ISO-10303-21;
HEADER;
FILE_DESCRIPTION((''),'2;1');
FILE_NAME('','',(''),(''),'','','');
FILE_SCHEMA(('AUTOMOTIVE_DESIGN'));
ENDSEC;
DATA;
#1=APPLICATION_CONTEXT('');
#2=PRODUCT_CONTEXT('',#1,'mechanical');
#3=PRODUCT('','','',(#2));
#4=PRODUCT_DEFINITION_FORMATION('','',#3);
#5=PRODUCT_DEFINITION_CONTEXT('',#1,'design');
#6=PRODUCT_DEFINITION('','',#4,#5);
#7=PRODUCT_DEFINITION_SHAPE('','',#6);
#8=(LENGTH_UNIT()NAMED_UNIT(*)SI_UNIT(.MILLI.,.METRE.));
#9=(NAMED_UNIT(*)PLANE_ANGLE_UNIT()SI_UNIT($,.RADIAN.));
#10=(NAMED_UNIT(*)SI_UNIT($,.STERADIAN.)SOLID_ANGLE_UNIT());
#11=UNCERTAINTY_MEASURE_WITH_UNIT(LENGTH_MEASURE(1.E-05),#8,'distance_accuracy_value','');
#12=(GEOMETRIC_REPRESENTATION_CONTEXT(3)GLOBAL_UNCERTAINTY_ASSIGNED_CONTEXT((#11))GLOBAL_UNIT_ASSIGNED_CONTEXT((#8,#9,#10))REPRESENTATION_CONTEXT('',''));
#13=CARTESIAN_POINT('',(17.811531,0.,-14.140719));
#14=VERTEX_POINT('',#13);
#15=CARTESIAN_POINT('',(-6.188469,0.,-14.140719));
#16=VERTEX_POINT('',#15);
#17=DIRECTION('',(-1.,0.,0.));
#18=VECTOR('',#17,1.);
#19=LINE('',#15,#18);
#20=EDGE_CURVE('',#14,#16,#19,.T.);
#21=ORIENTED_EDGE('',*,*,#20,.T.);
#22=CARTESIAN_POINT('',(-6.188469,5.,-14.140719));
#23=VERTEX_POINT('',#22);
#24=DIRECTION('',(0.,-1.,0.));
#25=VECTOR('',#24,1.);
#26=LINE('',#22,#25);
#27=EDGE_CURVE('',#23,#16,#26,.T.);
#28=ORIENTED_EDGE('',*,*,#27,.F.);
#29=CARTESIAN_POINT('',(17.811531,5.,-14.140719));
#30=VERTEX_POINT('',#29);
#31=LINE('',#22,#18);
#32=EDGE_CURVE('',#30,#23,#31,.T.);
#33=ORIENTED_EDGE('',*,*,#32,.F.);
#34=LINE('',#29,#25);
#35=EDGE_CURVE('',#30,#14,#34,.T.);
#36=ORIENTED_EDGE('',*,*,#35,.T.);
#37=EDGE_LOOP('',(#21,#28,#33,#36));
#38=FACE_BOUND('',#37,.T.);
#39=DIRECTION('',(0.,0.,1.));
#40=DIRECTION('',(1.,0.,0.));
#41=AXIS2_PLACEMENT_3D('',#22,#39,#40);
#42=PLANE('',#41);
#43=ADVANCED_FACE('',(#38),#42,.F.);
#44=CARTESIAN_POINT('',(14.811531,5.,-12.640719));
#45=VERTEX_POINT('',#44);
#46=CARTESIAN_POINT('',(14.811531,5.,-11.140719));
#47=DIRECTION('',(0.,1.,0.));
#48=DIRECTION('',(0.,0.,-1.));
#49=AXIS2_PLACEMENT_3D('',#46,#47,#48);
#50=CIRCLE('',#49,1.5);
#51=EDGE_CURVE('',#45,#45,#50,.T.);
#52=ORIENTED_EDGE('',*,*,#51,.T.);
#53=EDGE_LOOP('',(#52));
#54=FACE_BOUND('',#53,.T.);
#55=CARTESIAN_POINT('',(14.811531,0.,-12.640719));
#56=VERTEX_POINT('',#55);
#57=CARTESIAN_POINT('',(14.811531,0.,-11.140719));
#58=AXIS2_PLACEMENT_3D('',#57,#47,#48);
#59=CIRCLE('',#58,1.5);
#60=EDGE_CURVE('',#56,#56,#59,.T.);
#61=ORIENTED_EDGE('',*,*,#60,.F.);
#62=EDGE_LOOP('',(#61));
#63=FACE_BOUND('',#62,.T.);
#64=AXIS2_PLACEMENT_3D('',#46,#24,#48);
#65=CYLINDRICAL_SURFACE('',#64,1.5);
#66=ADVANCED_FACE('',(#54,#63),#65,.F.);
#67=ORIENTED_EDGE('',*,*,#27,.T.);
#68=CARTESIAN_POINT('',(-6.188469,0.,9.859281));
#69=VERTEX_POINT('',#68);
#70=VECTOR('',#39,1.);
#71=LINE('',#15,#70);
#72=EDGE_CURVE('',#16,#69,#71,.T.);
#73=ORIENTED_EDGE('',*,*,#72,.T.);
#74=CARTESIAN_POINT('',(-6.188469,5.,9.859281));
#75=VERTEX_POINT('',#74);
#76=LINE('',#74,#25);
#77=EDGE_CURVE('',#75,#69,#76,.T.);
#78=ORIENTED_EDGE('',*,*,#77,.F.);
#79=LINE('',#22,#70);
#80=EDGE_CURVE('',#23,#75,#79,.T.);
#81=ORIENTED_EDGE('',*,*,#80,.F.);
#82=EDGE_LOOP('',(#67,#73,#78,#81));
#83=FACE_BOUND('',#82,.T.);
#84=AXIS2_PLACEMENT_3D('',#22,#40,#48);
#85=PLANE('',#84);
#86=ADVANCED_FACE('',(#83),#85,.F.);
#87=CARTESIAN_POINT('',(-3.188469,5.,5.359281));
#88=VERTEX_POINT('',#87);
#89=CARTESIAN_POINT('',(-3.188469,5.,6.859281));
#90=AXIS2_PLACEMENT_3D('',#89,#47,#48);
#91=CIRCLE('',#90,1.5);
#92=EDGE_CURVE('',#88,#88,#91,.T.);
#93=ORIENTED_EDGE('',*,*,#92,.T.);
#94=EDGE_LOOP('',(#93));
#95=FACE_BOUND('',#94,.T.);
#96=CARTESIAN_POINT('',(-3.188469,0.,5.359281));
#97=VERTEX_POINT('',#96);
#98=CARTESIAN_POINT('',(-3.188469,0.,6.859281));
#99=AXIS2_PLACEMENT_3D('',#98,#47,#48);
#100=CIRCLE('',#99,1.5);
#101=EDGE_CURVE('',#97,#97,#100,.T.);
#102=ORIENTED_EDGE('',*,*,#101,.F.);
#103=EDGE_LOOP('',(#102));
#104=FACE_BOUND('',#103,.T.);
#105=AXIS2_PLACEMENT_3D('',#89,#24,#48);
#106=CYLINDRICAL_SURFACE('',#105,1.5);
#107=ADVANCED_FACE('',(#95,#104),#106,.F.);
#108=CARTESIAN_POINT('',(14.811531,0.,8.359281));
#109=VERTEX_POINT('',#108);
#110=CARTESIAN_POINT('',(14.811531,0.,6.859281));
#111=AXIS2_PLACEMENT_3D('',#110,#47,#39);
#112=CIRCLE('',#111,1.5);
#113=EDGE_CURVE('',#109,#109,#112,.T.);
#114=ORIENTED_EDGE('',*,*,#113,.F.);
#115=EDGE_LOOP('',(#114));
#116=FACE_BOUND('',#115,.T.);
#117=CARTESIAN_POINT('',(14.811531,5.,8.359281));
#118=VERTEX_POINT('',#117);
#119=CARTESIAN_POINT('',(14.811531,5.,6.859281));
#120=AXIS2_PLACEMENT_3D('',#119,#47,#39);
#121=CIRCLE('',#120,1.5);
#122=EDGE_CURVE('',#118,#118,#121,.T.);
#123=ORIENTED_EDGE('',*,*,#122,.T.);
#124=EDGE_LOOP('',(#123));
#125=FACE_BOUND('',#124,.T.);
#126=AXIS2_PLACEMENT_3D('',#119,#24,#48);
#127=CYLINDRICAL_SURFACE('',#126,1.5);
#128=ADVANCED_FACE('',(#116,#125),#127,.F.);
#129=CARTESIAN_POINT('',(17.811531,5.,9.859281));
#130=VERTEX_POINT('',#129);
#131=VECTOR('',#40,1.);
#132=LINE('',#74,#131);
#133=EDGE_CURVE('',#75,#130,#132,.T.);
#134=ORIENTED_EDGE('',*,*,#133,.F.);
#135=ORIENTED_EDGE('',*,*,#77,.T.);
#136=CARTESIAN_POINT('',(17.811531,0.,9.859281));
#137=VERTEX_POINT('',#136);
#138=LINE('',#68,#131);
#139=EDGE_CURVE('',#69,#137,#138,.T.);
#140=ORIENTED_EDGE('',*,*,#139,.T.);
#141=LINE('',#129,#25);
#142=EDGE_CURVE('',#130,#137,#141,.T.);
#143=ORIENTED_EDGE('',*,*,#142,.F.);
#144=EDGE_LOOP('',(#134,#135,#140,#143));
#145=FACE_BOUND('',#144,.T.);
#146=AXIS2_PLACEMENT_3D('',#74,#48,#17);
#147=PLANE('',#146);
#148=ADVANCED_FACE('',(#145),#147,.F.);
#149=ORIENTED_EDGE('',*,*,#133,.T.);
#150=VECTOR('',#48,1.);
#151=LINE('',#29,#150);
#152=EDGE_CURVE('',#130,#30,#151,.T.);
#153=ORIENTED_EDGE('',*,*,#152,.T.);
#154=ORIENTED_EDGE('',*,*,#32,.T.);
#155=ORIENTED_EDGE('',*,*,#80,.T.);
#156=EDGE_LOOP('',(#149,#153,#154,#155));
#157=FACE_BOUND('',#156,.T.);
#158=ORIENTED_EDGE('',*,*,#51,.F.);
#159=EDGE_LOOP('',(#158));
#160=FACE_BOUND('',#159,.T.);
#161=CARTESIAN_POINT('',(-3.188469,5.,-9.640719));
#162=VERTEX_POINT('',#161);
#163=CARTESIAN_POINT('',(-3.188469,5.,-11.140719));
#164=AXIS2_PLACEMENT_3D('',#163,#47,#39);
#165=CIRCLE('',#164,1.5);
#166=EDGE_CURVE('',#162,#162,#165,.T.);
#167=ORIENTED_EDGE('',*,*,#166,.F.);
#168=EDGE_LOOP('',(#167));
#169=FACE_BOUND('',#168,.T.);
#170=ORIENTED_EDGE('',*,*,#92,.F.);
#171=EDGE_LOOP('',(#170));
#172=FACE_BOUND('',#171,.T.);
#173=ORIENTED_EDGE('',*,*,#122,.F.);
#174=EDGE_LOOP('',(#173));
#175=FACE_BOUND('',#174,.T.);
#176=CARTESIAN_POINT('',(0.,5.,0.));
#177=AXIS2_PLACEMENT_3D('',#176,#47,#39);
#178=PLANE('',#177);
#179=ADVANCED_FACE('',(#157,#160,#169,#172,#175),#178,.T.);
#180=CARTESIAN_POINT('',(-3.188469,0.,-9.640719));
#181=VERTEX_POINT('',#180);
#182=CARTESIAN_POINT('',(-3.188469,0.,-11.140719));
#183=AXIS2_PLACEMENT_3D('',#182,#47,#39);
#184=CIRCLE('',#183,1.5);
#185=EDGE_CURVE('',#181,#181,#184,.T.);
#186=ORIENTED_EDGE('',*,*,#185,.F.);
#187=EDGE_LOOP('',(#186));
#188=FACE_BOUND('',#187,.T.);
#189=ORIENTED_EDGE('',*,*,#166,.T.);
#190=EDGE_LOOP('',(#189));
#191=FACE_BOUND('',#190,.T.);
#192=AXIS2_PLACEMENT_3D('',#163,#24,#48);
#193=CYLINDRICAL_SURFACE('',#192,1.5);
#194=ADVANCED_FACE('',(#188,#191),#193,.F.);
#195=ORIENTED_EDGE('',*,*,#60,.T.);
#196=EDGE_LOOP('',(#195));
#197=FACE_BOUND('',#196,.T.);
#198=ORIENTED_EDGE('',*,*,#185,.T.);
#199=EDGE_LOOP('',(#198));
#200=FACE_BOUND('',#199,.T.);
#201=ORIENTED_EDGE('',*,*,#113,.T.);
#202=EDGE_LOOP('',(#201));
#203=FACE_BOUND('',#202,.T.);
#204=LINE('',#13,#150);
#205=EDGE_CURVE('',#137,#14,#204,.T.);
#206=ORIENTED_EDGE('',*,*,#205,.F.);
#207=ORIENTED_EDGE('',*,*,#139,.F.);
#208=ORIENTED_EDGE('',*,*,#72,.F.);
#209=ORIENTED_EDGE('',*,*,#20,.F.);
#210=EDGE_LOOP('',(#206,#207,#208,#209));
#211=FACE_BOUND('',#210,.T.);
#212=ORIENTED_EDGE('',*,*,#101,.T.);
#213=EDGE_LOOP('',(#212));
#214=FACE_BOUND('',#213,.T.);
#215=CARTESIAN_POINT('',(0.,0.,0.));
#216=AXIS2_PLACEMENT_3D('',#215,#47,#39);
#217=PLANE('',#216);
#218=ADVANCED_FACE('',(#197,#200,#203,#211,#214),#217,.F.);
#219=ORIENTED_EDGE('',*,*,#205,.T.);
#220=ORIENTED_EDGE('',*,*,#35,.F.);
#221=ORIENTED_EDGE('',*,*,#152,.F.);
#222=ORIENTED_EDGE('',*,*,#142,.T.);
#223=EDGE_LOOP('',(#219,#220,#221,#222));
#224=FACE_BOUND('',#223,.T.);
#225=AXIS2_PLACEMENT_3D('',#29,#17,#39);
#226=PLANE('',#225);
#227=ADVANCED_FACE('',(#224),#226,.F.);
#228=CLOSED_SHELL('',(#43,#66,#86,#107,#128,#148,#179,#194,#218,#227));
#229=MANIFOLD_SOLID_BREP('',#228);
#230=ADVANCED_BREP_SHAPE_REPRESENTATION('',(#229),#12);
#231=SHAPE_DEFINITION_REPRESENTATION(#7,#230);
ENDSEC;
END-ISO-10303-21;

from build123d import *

# Parameters (mm, degrees)
SKETCH_1_W          = 24
SKETCH_1_H          = 24
EXTRUDE_1_DEPTH     = 5
SKETCH_2_R          = 1.5
CUT_EXTRUDE_1_DEPTH = 24.285415338


with BuildPart() as part:
    # 草图1 → 凸台-拉伸1 (new body)
    with BuildSketch(Plane(origin=(0, 0, 0), x_dir=(1, 0, 0), z_dir=(0, 1, 0))):
        with Locations((5.811531045, 2.140718838)):
            Rectangle(SKETCH_1_W, SKETCH_1_H)
    extrude(amount=EXTRUDE_1_DEPTH)

    # 草图2 → 切除-拉伸1 (cut, through all)
    with BuildSketch(Plane(origin=(0, 0, 0), x_dir=(1, 0, 0), z_dir=(0, 1, 0))):
        with Locations(Location((-3.188468955, 11.140718838, 0), (0, 0, 270))):
            Circle(SKETCH_2_R)
        with Locations(Location((-3.188468955, -6.859281162, 0), (0, 0, 90))):
            Circle(SKETCH_2_R)
        with Locations(Location((14.811531045, -6.859281162, 0), (0, 0, 270))):
            Circle(SKETCH_2_R)
        with Locations(Location((14.811531045, 11.140718838, 0), (0, 0, 90))):
            Circle(SKETCH_2_R)
    extrude(amount=CUT_EXTRUDE_1_DEPTH, mode=Mode.SUBTRACT)


solid = part.part
